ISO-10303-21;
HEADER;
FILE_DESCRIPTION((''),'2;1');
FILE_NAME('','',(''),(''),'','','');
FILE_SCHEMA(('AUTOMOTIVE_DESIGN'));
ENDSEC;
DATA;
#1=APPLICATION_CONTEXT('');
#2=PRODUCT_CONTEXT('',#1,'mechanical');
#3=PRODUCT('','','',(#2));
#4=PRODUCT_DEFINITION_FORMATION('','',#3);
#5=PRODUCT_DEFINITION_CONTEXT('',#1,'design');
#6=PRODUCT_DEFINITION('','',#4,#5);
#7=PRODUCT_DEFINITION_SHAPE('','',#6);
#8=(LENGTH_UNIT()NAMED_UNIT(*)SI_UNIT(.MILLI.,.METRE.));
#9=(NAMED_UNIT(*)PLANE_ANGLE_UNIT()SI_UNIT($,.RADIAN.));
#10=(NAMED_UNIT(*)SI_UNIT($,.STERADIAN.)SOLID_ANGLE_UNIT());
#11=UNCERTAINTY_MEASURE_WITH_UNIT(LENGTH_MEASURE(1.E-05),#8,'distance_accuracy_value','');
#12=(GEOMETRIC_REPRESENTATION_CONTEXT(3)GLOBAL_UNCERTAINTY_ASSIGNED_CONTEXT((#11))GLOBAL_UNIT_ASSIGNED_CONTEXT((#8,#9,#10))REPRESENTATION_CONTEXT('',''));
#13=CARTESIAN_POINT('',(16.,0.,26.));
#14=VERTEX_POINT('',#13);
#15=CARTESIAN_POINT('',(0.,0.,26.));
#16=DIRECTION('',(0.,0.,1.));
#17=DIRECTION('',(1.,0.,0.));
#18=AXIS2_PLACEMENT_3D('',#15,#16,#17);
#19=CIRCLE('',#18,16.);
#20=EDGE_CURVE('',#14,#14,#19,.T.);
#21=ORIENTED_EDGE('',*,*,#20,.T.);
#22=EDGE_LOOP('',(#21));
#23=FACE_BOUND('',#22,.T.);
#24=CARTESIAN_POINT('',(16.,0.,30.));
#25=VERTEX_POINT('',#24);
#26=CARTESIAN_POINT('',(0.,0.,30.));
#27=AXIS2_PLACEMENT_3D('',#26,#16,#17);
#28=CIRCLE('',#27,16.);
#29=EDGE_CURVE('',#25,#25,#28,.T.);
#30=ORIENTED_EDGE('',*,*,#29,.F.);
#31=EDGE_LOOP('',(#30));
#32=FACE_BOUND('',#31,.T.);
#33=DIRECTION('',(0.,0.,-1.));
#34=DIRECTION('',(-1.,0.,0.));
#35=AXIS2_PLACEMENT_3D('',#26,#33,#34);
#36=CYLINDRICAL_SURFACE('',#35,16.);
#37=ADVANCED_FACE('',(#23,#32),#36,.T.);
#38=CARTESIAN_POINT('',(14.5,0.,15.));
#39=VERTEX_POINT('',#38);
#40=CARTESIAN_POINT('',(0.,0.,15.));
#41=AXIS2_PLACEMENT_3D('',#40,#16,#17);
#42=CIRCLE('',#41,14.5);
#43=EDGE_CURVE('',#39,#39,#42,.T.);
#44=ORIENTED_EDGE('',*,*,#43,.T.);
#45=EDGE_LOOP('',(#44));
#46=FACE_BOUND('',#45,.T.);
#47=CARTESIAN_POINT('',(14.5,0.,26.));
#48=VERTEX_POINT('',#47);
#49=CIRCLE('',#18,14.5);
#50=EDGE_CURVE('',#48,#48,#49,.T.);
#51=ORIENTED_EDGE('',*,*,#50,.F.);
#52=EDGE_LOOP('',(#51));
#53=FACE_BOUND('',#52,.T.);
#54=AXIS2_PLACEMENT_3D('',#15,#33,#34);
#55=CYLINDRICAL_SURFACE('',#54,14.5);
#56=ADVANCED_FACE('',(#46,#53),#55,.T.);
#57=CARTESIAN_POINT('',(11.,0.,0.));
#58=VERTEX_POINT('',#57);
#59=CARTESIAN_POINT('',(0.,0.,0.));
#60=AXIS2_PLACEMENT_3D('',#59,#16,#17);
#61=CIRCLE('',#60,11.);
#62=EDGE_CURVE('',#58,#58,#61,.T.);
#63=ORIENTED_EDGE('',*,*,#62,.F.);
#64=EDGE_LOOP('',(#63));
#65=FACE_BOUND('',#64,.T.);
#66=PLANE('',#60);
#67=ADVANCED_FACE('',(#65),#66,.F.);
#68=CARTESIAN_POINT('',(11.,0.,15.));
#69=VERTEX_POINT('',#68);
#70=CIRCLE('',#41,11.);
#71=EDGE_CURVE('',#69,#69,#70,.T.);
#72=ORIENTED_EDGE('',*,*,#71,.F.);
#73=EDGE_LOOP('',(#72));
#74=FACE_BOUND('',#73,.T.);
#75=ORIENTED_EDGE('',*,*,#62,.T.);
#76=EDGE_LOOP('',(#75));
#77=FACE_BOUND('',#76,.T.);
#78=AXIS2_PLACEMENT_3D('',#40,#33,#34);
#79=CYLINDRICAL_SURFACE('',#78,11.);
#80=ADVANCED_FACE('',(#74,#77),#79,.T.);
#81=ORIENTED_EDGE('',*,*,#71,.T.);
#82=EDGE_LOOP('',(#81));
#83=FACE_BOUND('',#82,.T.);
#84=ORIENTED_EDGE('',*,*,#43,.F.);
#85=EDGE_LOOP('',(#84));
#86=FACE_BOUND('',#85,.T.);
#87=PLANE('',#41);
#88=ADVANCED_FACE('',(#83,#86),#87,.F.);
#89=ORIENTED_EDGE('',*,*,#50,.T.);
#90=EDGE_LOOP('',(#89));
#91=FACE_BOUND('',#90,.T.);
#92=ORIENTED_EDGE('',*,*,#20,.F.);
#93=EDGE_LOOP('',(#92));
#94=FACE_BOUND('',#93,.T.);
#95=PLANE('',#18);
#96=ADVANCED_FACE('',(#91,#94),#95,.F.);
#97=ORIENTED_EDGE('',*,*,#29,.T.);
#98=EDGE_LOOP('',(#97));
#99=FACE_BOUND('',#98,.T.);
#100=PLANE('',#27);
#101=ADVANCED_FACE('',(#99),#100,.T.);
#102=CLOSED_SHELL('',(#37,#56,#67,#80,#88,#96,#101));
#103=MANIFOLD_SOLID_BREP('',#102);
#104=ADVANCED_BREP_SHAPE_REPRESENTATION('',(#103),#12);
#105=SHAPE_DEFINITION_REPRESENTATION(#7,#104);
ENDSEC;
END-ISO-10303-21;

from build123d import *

# Parameters (mm, degrees)
SKETCH_1_R      = 11
EXTRUDE_1_DEPTH = 15
SKETCH_2_R      = 14.5
EXTRUDE_2_DEPTH = 11
SKETCH_3_R      = 16
EXTRUDE_3_DEPTH = 4


with BuildPart() as part:
    # 草图1 → 凸台-拉伸1 (new body)
    with BuildSketch(Plane.XY):
        Circle(SKETCH_1_R)
    extrude(amount=EXTRUDE_1_DEPTH)

    # 草图2 → 凸台-拉伸2 (add)
    with BuildSketch(Plane.XY.offset(15)):
        Circle(SKETCH_2_R)
    extrude(amount=EXTRUDE_2_DEPTH)

    # 草图3 → 凸台-拉伸3 (add)
    with BuildSketch(Plane.XY.offset(26)):
        Circle(SKETCH_3_R)
    extrude(amount=EXTRUDE_3_DEPTH)


solid = part.part
